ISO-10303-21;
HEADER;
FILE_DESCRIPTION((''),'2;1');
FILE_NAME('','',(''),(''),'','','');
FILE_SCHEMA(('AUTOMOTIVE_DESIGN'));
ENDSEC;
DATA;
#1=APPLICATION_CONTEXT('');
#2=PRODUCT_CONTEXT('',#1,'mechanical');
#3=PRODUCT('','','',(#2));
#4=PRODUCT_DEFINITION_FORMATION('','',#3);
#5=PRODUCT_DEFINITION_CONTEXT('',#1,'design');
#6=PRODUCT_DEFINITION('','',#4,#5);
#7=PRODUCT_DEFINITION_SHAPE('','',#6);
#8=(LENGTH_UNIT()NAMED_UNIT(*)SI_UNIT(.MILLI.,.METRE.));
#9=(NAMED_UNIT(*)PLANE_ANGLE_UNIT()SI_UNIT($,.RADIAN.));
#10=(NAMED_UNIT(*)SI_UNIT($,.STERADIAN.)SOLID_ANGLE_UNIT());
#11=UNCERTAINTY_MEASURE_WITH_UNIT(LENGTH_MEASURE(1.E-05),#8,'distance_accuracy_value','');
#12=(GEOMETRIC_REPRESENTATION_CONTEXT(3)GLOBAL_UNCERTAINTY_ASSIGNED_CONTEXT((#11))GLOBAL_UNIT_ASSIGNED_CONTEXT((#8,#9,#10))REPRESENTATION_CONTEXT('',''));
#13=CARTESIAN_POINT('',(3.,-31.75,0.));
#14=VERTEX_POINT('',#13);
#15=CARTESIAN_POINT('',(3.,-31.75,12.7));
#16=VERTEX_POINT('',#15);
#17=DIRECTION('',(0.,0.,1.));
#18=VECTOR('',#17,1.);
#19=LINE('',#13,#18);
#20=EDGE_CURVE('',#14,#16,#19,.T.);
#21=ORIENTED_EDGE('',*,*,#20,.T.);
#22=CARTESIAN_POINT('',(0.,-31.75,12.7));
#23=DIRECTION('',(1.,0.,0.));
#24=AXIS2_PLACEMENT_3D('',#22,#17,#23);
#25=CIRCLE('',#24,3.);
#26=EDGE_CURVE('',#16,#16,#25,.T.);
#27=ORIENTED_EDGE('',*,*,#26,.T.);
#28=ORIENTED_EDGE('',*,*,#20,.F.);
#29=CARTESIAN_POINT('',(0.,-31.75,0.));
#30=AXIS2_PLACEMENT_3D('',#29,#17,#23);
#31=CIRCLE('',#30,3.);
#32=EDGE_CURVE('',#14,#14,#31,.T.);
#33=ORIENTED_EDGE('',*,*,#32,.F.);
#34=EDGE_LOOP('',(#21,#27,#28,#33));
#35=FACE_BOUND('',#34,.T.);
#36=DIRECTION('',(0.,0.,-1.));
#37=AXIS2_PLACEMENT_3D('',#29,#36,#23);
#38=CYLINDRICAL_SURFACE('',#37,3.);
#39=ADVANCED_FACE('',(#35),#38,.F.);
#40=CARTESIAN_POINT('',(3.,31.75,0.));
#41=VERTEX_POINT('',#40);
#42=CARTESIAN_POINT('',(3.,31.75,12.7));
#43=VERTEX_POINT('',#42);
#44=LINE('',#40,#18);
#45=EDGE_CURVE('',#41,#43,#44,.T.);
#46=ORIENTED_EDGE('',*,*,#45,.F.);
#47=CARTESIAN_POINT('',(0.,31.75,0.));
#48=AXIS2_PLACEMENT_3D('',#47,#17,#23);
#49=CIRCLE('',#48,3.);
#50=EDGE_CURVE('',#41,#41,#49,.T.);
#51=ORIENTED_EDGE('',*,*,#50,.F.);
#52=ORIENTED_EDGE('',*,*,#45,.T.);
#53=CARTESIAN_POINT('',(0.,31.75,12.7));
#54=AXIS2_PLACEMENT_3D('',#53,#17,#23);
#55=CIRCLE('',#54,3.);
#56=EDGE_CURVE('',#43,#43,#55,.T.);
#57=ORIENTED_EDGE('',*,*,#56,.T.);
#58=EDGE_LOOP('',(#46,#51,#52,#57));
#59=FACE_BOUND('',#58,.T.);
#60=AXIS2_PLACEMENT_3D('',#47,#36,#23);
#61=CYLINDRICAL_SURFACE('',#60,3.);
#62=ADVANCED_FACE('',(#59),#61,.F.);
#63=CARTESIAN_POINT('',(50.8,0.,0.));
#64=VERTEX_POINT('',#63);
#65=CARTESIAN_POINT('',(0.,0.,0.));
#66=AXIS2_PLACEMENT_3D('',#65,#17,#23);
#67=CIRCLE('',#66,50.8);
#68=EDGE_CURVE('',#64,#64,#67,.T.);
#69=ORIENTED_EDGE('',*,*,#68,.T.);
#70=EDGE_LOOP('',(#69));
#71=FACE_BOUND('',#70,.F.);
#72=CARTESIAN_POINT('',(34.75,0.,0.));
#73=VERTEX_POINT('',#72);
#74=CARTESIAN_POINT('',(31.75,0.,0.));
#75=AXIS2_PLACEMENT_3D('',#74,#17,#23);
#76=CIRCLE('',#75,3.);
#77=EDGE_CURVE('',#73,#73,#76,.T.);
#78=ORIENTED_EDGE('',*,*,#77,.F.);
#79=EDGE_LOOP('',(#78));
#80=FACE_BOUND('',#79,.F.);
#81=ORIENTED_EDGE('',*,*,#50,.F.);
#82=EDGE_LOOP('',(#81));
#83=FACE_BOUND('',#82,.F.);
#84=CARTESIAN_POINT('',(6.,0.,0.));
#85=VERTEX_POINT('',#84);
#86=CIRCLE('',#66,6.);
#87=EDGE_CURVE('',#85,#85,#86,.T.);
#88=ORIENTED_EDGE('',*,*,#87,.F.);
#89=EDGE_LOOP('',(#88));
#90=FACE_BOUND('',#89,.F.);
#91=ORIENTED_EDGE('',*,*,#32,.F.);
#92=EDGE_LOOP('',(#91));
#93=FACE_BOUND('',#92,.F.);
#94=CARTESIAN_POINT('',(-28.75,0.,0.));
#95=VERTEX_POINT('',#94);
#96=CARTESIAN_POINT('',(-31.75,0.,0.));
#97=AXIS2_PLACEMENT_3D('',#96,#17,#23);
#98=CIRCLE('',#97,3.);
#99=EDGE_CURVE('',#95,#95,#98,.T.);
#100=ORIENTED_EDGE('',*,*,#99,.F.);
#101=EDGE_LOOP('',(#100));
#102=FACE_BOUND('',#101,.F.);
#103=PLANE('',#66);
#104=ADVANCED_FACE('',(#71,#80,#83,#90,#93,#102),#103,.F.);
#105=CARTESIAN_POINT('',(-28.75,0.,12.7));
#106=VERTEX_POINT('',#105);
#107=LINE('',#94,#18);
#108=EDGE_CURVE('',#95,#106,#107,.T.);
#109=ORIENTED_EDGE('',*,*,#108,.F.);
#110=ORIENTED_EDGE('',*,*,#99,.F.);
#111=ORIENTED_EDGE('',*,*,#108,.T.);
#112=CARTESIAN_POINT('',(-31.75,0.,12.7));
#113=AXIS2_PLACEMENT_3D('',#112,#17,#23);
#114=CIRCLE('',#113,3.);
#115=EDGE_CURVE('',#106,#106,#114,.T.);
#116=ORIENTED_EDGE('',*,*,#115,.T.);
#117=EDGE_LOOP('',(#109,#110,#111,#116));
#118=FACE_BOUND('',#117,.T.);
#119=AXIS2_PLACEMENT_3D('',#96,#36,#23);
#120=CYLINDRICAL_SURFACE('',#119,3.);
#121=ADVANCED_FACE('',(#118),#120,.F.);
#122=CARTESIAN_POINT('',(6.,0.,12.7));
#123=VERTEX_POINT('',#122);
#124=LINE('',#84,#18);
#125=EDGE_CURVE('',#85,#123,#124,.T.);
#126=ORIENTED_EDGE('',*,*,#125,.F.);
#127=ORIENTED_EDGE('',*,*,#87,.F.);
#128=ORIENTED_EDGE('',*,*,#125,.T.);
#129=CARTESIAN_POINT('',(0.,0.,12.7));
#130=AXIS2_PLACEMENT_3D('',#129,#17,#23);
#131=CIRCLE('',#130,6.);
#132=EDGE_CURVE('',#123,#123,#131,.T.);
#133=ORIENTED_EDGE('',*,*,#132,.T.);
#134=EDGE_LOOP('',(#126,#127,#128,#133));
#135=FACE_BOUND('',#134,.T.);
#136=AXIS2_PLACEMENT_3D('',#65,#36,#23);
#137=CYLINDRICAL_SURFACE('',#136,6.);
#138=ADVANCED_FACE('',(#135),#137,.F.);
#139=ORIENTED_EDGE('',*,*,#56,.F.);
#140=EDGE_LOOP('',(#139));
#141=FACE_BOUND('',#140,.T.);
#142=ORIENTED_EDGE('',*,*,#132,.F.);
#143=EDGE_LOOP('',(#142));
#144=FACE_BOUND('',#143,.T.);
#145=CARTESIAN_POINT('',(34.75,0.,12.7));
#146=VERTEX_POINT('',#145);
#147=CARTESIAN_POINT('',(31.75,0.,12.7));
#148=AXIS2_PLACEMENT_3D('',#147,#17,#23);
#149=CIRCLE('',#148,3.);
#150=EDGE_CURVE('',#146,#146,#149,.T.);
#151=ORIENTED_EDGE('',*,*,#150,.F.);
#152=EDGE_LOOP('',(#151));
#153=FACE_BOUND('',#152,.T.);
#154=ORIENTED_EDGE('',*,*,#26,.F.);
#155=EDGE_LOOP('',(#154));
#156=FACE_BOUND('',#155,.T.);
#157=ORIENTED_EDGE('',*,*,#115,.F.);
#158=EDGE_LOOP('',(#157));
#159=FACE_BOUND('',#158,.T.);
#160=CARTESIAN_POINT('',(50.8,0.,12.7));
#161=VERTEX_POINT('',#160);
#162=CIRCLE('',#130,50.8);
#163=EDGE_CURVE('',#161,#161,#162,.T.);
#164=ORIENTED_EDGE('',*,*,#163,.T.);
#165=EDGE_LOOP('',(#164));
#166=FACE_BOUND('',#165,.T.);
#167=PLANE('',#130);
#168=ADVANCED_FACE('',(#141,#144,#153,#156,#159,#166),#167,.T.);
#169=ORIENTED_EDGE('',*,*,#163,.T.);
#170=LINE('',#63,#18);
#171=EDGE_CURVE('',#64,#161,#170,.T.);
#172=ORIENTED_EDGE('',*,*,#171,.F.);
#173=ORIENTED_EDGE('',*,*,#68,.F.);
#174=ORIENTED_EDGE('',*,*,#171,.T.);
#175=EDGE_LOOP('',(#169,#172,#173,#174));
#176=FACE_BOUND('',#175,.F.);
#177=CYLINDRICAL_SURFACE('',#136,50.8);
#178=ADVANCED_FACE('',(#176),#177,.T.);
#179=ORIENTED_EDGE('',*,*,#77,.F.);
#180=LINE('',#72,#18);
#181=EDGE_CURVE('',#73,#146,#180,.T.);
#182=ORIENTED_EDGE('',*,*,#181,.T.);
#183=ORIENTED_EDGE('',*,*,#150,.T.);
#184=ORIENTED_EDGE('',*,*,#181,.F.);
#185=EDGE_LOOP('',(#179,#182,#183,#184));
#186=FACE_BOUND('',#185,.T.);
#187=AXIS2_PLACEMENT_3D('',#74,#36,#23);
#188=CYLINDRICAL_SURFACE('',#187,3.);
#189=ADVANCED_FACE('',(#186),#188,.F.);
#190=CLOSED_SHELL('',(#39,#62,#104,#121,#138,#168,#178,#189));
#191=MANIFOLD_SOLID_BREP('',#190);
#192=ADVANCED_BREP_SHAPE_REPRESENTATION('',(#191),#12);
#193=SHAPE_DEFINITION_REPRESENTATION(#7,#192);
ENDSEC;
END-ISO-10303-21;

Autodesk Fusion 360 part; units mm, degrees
sketch "Sketch1" plane through (0, 0, 0) normal (0, 0, 1) x (1, 0, 0)
  circle A0 centre (0, 0) radius 50.8
  line L0 (0, 0) -> (0, 31.75) construction
  circle A1 centre (0, 31.75) radius 3
  circle A2 centre (-31.75, 0) radius 3
  circle A3 centre (0, -31.75) radius 3
  circle A4 centre (31.75, 0) radius 3
  circle A5 centre (0, 0) radius 6
  dimension "d1" = 101.6
  dimension "d2" = 31.75
  dimension "d3" = 6
  dimension "d5" = 360
  dimension "d6" = 12
extrude "Extrude1" add sketch "Sketch1" along normal blind 12.7
sketch "Sketch2" plane through (0, 0, 12.7) normal (0, 0, 1) x (-1, 0, 0)
  circle A0 centre (0, -31.75) radius 3
  circle A1 centre (31.75, 0) radius 3
  circle A2 centre (0, 31.75) radius 3
  circle A3 centre (-31.75, 0) radius 3
  circle A4 centre (0, 0) radius 6
  circle A5 centre (0, 0) radius 50.8
equation "d2 = 2.5 in / 2"
